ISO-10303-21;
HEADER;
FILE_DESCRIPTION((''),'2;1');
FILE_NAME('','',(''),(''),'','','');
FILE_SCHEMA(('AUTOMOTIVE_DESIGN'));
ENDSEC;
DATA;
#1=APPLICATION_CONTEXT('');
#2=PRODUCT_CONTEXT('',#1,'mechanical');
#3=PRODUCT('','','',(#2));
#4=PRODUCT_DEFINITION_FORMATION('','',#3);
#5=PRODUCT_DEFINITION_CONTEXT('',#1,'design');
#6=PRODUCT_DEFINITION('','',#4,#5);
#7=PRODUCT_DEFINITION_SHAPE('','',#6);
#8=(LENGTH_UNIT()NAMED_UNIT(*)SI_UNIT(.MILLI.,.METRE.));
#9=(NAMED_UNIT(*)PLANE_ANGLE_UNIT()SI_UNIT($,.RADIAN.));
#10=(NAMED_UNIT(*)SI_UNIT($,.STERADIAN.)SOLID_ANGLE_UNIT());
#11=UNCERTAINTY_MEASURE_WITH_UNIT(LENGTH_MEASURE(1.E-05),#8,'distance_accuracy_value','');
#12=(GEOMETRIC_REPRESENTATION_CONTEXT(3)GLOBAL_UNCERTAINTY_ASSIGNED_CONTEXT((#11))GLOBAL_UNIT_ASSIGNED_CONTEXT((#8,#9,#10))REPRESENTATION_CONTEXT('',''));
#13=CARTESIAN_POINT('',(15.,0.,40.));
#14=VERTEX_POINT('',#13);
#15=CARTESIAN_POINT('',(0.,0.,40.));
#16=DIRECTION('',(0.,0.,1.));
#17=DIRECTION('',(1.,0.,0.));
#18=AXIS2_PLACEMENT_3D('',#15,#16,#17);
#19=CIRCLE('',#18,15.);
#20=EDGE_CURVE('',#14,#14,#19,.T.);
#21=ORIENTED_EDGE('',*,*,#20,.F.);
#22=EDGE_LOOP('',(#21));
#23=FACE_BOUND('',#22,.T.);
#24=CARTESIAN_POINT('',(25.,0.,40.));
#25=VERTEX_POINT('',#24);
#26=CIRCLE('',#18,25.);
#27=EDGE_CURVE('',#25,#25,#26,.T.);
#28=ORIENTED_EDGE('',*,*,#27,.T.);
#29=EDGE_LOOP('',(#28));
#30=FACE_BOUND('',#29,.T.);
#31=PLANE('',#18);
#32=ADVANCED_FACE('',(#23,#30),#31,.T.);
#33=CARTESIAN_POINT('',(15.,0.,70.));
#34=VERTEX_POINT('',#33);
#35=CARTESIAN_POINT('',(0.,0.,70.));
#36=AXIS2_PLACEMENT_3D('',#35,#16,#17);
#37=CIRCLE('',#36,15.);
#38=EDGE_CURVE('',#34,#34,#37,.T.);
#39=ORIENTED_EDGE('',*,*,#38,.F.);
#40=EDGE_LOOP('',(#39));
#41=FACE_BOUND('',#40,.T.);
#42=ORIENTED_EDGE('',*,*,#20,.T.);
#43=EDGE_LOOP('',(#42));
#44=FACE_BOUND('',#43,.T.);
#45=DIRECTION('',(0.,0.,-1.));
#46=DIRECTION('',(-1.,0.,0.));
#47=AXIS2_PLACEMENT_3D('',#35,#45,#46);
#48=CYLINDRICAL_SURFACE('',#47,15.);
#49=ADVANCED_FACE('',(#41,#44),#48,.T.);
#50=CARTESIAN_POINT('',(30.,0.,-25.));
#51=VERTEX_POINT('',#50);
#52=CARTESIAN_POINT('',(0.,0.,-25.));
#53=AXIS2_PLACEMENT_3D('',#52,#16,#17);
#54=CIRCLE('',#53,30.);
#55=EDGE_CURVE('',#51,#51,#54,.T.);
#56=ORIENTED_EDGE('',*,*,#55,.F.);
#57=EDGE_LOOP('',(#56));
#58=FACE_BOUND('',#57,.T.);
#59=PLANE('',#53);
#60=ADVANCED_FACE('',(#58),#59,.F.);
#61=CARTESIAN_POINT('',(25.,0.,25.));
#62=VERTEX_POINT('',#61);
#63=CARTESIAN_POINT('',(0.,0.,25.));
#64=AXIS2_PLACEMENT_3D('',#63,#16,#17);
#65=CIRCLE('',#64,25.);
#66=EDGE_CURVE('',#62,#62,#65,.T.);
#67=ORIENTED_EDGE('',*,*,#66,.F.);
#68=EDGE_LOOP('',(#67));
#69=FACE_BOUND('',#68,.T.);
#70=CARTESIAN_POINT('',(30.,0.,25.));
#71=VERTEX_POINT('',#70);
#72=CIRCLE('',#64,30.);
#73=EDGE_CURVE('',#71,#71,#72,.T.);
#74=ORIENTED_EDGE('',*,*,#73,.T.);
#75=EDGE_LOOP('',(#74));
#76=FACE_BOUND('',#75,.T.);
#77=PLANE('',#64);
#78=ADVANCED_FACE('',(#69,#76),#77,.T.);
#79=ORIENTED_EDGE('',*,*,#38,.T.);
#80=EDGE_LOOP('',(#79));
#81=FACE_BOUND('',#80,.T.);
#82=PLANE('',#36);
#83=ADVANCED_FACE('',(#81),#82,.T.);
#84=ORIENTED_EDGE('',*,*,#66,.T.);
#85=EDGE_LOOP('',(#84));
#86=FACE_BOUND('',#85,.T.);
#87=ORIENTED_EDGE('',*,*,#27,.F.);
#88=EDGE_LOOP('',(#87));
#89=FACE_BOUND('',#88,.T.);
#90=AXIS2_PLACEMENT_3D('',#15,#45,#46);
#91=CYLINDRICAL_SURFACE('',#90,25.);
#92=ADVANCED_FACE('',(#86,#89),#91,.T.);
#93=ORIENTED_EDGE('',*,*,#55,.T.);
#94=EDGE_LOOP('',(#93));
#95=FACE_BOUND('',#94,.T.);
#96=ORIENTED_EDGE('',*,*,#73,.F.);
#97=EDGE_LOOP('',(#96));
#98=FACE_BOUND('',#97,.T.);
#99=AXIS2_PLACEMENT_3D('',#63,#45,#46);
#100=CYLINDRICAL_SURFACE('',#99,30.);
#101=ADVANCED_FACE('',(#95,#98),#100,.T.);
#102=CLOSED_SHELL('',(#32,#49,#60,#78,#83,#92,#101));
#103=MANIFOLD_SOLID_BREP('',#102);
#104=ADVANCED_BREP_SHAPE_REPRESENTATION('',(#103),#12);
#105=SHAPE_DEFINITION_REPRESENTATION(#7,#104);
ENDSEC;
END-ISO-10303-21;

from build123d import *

# Parameters (mm, degrees)
SKETCH_1_R      = 30
EXTRUDE_1_DEPTH = 25
SKETCH_3_R      = 25
EXTRUDE_2_DEPTH = 15
SKETCH_4_R      = 15
EXTRUDE_3_DEPTH = 30


with BuildPart() as part:
    # 草图1 → 凸台-拉伸1 (new body, symmetric)
    with BuildSketch(Plane.XY):
        Circle(SKETCH_1_R)
    extrude(amount=EXTRUDE_1_DEPTH, both=True)

    # 草图3 → 凸台-拉伸2 (add)
    with BuildSketch(Plane.XY.offset(25)):
        Circle(SKETCH_3_R)
    extrude(amount=EXTRUDE_2_DEPTH)

    # 草图4 → 凸台-拉伸3 (add)
    with BuildSketch(Plane.XY.offset(40)):
        Circle(SKETCH_4_R)
    extrude(amount=EXTRUDE_3_DEPTH)


solid = part.part
